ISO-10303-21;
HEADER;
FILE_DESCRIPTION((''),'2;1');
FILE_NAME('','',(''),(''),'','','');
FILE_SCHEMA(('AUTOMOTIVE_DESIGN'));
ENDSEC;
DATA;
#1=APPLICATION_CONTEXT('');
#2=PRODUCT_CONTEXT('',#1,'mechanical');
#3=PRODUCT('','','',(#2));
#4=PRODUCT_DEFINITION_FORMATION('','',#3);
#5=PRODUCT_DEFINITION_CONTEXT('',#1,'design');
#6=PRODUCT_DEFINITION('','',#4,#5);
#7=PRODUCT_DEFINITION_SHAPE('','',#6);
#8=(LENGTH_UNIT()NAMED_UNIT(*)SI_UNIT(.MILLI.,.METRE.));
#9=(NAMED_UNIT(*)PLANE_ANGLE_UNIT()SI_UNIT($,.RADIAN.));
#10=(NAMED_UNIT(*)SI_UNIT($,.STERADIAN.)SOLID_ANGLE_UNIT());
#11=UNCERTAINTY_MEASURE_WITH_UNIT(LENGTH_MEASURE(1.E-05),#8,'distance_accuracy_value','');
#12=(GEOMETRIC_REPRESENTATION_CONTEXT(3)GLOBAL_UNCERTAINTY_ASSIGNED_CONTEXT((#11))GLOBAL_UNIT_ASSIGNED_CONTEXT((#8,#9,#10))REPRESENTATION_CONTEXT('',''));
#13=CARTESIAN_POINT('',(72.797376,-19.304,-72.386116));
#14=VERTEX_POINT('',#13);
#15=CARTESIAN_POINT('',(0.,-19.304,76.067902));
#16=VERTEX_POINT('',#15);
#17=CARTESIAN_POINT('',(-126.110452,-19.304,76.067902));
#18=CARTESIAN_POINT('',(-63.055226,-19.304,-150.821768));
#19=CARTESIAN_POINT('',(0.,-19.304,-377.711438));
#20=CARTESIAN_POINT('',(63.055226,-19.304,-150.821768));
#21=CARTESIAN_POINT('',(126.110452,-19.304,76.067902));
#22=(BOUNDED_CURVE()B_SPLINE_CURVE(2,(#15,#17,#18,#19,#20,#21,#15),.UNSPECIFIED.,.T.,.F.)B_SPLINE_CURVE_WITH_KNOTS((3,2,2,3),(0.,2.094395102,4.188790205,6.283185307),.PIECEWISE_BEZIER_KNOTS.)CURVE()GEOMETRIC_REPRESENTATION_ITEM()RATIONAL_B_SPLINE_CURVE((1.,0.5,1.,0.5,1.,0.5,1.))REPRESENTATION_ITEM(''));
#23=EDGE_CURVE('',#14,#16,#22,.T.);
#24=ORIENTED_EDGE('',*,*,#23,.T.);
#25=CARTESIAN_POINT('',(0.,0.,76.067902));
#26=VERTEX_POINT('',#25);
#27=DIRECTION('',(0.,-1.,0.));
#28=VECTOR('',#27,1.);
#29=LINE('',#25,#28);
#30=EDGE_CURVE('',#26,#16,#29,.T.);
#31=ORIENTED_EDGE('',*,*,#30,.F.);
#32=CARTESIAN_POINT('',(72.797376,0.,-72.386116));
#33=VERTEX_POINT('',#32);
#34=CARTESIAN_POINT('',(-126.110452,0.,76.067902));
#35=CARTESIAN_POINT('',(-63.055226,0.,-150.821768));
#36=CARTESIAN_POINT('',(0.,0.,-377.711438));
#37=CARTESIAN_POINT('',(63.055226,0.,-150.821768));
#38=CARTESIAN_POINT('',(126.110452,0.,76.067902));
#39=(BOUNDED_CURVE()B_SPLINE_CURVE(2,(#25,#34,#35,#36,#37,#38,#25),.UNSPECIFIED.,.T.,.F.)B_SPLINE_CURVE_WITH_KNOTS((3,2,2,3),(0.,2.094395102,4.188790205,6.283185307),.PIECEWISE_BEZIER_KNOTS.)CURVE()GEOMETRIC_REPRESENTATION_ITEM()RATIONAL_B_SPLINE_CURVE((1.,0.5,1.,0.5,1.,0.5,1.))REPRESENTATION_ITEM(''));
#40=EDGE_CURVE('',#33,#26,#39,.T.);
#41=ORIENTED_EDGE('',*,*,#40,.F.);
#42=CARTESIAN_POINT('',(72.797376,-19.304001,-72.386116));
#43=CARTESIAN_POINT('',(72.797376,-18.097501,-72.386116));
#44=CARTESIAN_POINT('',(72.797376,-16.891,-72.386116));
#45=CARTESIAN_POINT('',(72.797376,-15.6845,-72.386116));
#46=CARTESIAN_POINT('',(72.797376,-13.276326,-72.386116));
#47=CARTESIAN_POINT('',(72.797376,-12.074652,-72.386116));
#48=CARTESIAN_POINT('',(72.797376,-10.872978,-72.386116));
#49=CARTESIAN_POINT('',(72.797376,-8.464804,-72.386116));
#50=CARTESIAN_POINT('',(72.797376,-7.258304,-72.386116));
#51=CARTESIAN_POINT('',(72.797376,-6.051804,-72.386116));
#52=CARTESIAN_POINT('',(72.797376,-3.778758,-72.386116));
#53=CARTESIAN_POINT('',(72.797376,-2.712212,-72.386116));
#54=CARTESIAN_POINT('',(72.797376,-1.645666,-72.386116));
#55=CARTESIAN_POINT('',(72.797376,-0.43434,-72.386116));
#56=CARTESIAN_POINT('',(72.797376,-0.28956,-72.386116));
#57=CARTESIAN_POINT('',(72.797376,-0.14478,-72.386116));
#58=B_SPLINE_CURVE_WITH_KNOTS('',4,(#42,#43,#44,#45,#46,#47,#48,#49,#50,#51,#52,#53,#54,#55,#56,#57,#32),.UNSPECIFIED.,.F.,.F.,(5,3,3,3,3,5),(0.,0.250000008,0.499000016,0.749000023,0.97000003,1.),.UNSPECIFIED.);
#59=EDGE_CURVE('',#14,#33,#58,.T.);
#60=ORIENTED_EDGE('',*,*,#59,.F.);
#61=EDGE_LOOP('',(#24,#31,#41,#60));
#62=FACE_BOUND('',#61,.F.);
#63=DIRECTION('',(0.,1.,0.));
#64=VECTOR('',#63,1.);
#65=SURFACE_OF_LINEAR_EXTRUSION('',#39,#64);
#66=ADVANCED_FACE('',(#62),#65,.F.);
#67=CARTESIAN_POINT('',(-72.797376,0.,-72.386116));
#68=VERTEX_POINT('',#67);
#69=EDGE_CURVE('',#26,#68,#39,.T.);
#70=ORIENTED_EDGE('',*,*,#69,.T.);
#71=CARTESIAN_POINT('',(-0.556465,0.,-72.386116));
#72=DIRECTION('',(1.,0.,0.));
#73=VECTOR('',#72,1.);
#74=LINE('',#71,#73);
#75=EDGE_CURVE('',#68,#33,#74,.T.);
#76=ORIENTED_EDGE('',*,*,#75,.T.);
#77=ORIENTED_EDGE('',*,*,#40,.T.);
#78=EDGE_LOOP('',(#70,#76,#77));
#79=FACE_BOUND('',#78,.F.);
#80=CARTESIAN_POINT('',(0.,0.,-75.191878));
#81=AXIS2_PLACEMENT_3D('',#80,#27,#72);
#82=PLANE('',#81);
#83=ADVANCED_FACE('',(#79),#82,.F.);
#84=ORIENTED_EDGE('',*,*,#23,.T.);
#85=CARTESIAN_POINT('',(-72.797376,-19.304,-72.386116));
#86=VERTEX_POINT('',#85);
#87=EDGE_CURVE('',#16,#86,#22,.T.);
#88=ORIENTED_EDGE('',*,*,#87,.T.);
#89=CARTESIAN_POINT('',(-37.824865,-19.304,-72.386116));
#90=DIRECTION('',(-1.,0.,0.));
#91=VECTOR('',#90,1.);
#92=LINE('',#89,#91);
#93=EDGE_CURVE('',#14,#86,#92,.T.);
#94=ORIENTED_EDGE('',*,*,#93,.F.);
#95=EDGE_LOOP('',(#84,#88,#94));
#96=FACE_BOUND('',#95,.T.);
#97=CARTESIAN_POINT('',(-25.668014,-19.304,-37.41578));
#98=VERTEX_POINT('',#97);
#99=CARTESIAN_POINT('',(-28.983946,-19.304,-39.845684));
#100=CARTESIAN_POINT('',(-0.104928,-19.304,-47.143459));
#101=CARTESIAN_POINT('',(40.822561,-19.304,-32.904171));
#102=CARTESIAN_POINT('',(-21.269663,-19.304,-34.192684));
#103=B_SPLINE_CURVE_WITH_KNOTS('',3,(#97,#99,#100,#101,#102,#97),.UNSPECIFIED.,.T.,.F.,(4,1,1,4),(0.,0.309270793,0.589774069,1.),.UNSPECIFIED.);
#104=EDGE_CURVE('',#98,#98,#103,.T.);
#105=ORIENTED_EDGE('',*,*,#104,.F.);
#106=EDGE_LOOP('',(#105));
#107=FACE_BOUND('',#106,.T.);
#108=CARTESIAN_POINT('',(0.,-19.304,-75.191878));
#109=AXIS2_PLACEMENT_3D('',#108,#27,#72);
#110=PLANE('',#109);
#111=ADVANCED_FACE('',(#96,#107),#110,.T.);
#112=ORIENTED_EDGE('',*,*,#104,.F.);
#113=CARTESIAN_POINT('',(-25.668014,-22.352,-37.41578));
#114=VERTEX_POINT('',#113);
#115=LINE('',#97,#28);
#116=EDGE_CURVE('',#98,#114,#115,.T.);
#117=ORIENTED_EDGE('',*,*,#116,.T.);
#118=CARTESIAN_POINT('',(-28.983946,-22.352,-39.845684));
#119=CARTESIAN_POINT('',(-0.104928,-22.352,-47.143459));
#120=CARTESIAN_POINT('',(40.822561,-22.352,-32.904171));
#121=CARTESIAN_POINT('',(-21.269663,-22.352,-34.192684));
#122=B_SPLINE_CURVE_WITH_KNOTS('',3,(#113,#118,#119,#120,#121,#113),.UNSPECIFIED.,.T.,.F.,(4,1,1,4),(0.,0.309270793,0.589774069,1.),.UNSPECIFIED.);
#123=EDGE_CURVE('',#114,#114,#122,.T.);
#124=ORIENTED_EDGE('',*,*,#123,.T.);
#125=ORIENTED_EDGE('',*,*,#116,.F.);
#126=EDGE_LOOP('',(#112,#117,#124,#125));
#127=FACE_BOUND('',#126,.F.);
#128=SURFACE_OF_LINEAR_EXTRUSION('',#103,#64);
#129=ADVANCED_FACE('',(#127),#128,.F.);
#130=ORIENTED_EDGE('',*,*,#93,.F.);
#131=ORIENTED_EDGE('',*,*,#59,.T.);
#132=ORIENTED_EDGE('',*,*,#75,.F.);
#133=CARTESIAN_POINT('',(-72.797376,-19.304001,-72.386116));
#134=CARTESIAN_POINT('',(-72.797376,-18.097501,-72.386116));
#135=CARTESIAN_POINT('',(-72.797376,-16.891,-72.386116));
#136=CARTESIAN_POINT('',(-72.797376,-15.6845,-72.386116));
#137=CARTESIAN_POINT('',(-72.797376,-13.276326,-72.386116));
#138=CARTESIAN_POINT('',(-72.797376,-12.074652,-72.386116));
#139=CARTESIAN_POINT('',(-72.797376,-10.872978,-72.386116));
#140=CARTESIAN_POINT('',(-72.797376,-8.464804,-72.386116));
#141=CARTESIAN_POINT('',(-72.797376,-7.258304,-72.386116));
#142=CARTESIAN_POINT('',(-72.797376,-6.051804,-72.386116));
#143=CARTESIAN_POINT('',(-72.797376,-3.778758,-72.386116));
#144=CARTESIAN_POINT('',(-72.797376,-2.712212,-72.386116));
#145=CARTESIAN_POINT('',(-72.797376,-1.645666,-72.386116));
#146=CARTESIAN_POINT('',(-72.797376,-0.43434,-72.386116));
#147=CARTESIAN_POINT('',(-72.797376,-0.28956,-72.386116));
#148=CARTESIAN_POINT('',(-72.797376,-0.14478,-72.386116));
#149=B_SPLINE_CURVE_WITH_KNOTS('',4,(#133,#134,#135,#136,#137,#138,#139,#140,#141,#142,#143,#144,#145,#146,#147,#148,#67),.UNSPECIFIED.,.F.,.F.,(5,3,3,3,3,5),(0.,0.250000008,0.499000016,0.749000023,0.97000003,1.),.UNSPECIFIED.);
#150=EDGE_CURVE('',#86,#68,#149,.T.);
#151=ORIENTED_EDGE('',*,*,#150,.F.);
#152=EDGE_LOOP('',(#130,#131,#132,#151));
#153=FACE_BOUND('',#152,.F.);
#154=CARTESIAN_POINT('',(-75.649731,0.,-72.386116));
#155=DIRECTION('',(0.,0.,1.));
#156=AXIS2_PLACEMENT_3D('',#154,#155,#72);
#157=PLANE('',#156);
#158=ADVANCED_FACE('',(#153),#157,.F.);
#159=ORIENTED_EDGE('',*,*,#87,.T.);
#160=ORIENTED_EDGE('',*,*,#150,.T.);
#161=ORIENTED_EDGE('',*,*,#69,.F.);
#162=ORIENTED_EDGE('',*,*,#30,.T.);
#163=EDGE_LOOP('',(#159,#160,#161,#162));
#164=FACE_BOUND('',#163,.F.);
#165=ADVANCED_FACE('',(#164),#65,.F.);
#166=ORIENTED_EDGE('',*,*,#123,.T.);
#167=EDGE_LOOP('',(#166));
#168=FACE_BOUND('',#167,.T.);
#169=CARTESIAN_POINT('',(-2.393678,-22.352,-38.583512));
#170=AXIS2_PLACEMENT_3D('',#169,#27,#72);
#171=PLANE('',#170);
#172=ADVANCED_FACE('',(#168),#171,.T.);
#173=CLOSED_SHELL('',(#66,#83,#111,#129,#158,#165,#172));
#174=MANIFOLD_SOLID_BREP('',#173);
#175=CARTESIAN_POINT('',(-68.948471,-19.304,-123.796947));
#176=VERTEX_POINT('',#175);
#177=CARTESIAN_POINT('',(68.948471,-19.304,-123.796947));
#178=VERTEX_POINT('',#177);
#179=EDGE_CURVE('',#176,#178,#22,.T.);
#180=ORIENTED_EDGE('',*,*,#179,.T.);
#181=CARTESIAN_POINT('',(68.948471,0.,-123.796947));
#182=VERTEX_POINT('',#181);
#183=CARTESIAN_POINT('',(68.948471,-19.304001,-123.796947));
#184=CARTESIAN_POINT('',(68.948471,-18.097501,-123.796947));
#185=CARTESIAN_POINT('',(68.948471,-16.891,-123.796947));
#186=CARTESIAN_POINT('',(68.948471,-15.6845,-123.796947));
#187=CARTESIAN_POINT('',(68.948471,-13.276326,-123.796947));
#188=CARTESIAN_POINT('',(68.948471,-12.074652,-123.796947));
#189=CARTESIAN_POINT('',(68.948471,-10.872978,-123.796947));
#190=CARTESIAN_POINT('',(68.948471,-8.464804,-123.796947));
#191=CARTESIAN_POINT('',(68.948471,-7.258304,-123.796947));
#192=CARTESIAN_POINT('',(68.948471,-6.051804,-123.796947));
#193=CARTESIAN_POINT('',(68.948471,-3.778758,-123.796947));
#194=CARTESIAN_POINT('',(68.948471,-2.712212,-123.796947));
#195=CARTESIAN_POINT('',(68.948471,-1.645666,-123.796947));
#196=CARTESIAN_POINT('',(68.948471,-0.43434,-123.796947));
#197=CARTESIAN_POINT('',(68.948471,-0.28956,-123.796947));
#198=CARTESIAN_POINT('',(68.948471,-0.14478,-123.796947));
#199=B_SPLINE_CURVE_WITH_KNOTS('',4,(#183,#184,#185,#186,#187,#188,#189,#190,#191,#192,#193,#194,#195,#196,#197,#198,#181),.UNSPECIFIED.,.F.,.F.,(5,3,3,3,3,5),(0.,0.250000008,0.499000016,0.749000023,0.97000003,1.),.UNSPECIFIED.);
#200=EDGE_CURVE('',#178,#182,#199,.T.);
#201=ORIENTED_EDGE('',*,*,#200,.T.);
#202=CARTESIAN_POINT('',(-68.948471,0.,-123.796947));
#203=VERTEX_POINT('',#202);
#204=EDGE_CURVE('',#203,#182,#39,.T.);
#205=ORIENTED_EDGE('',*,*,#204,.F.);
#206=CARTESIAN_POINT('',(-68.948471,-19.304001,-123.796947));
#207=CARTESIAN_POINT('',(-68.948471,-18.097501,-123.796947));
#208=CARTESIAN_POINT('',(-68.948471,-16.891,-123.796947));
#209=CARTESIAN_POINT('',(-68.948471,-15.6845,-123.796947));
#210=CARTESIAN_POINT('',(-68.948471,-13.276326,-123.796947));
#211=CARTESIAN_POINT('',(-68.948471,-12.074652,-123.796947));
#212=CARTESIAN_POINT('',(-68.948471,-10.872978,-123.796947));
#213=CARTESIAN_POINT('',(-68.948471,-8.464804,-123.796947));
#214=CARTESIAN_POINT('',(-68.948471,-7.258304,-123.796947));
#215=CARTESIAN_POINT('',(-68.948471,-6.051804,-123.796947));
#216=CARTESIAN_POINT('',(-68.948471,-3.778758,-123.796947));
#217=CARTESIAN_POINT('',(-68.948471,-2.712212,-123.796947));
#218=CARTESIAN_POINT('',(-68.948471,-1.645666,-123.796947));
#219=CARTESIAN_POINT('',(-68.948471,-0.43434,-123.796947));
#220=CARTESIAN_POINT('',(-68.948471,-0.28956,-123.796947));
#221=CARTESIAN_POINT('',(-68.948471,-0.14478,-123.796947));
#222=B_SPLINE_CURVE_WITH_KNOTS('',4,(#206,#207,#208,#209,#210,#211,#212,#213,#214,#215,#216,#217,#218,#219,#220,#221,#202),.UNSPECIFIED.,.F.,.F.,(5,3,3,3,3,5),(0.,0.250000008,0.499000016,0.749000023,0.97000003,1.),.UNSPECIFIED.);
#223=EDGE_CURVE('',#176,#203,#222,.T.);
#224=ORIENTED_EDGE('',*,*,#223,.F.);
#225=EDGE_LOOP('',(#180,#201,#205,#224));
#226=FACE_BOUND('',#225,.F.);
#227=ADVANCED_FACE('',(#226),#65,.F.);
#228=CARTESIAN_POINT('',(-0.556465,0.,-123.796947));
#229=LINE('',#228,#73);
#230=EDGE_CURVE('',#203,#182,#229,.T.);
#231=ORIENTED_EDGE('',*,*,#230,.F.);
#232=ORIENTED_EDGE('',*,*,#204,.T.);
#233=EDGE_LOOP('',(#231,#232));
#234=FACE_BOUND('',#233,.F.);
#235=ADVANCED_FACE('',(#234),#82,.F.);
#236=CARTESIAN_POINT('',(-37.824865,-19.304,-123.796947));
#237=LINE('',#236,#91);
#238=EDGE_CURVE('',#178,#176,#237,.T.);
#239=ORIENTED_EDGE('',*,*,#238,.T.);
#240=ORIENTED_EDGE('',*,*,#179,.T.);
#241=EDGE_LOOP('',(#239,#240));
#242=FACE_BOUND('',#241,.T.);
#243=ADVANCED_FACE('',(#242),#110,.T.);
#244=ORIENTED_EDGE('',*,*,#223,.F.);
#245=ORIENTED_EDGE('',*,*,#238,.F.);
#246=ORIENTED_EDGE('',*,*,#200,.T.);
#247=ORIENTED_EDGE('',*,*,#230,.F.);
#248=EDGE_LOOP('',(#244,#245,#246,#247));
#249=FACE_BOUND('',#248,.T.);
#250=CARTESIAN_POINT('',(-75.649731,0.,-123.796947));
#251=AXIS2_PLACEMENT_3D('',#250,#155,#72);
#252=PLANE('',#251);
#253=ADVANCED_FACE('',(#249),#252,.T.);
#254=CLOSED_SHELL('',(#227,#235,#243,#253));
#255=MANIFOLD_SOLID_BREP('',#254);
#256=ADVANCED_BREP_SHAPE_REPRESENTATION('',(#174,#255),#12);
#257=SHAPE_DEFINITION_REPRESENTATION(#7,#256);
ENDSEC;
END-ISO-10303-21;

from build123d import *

# Parameters (mm, degrees)
F1_DEPTH = 19.304
F2_W     = 150.1865312457
F2_H     = 51.410831511
F3_DEPTH = 22.606
F5_DEPTH = 3.048


with BuildPart() as f1:
    # F0 (on Front) → F1 (new body)
    with BuildSketch(Plane.XZ):
        with BuildLine():
            add(Edge.make_bspline(
                [(0, 76.0679021478), (-126.1104521631, 76.0679021478), (-63.0552260816, -150.8217677474), (0, -377.7114376426), (63.0552260816, -150.8217677474), (126.1104521631, 76.0679021478), (0, 76.0679021478)],
                knots=[0, 0, 0, 2.0943951024, 2.0943951024, 4.1887902048, 4.1887902048, 6.2831853072, 6.2831853072, 6.2831853072], degree=2, weights=[1, 0.5, 1, 0.5, 1, 0.5, 1]))
        make_face()
    extrude(amount=F1_DEPTH)

    # F2 (on Front) → F3 (cut)
    with BuildSketch(Plane.XZ):
        with Locations((-0.5564652383, -98.0915315449)):
            Rectangle(F2_W, F2_H)
    extrude(amount=F3_DEPTH, mode=Mode.SUBTRACT)

    # F4 (on face) → F5 (join)
    with BuildSketch(Plane.XZ.offset(19.304)):
        with BuildLine():
            add(Edge.make_bspline(
                [(-25.6680138409, -37.415780127), (-28.9839463214, -39.8456836206), (-0.1049279853, -47.1434588764), (40.822560782, -32.9041713044), (-21.2696628827, -34.192684234), (-25.6680138409, -37.415780127)],
                knots=[0, 0, 0, 0, 0.3092707929, 0.5897740692, 1, 1, 1, 1], degree=3))
        make_face()
    extrude(amount=F5_DEPTH)


solid = f1.part
